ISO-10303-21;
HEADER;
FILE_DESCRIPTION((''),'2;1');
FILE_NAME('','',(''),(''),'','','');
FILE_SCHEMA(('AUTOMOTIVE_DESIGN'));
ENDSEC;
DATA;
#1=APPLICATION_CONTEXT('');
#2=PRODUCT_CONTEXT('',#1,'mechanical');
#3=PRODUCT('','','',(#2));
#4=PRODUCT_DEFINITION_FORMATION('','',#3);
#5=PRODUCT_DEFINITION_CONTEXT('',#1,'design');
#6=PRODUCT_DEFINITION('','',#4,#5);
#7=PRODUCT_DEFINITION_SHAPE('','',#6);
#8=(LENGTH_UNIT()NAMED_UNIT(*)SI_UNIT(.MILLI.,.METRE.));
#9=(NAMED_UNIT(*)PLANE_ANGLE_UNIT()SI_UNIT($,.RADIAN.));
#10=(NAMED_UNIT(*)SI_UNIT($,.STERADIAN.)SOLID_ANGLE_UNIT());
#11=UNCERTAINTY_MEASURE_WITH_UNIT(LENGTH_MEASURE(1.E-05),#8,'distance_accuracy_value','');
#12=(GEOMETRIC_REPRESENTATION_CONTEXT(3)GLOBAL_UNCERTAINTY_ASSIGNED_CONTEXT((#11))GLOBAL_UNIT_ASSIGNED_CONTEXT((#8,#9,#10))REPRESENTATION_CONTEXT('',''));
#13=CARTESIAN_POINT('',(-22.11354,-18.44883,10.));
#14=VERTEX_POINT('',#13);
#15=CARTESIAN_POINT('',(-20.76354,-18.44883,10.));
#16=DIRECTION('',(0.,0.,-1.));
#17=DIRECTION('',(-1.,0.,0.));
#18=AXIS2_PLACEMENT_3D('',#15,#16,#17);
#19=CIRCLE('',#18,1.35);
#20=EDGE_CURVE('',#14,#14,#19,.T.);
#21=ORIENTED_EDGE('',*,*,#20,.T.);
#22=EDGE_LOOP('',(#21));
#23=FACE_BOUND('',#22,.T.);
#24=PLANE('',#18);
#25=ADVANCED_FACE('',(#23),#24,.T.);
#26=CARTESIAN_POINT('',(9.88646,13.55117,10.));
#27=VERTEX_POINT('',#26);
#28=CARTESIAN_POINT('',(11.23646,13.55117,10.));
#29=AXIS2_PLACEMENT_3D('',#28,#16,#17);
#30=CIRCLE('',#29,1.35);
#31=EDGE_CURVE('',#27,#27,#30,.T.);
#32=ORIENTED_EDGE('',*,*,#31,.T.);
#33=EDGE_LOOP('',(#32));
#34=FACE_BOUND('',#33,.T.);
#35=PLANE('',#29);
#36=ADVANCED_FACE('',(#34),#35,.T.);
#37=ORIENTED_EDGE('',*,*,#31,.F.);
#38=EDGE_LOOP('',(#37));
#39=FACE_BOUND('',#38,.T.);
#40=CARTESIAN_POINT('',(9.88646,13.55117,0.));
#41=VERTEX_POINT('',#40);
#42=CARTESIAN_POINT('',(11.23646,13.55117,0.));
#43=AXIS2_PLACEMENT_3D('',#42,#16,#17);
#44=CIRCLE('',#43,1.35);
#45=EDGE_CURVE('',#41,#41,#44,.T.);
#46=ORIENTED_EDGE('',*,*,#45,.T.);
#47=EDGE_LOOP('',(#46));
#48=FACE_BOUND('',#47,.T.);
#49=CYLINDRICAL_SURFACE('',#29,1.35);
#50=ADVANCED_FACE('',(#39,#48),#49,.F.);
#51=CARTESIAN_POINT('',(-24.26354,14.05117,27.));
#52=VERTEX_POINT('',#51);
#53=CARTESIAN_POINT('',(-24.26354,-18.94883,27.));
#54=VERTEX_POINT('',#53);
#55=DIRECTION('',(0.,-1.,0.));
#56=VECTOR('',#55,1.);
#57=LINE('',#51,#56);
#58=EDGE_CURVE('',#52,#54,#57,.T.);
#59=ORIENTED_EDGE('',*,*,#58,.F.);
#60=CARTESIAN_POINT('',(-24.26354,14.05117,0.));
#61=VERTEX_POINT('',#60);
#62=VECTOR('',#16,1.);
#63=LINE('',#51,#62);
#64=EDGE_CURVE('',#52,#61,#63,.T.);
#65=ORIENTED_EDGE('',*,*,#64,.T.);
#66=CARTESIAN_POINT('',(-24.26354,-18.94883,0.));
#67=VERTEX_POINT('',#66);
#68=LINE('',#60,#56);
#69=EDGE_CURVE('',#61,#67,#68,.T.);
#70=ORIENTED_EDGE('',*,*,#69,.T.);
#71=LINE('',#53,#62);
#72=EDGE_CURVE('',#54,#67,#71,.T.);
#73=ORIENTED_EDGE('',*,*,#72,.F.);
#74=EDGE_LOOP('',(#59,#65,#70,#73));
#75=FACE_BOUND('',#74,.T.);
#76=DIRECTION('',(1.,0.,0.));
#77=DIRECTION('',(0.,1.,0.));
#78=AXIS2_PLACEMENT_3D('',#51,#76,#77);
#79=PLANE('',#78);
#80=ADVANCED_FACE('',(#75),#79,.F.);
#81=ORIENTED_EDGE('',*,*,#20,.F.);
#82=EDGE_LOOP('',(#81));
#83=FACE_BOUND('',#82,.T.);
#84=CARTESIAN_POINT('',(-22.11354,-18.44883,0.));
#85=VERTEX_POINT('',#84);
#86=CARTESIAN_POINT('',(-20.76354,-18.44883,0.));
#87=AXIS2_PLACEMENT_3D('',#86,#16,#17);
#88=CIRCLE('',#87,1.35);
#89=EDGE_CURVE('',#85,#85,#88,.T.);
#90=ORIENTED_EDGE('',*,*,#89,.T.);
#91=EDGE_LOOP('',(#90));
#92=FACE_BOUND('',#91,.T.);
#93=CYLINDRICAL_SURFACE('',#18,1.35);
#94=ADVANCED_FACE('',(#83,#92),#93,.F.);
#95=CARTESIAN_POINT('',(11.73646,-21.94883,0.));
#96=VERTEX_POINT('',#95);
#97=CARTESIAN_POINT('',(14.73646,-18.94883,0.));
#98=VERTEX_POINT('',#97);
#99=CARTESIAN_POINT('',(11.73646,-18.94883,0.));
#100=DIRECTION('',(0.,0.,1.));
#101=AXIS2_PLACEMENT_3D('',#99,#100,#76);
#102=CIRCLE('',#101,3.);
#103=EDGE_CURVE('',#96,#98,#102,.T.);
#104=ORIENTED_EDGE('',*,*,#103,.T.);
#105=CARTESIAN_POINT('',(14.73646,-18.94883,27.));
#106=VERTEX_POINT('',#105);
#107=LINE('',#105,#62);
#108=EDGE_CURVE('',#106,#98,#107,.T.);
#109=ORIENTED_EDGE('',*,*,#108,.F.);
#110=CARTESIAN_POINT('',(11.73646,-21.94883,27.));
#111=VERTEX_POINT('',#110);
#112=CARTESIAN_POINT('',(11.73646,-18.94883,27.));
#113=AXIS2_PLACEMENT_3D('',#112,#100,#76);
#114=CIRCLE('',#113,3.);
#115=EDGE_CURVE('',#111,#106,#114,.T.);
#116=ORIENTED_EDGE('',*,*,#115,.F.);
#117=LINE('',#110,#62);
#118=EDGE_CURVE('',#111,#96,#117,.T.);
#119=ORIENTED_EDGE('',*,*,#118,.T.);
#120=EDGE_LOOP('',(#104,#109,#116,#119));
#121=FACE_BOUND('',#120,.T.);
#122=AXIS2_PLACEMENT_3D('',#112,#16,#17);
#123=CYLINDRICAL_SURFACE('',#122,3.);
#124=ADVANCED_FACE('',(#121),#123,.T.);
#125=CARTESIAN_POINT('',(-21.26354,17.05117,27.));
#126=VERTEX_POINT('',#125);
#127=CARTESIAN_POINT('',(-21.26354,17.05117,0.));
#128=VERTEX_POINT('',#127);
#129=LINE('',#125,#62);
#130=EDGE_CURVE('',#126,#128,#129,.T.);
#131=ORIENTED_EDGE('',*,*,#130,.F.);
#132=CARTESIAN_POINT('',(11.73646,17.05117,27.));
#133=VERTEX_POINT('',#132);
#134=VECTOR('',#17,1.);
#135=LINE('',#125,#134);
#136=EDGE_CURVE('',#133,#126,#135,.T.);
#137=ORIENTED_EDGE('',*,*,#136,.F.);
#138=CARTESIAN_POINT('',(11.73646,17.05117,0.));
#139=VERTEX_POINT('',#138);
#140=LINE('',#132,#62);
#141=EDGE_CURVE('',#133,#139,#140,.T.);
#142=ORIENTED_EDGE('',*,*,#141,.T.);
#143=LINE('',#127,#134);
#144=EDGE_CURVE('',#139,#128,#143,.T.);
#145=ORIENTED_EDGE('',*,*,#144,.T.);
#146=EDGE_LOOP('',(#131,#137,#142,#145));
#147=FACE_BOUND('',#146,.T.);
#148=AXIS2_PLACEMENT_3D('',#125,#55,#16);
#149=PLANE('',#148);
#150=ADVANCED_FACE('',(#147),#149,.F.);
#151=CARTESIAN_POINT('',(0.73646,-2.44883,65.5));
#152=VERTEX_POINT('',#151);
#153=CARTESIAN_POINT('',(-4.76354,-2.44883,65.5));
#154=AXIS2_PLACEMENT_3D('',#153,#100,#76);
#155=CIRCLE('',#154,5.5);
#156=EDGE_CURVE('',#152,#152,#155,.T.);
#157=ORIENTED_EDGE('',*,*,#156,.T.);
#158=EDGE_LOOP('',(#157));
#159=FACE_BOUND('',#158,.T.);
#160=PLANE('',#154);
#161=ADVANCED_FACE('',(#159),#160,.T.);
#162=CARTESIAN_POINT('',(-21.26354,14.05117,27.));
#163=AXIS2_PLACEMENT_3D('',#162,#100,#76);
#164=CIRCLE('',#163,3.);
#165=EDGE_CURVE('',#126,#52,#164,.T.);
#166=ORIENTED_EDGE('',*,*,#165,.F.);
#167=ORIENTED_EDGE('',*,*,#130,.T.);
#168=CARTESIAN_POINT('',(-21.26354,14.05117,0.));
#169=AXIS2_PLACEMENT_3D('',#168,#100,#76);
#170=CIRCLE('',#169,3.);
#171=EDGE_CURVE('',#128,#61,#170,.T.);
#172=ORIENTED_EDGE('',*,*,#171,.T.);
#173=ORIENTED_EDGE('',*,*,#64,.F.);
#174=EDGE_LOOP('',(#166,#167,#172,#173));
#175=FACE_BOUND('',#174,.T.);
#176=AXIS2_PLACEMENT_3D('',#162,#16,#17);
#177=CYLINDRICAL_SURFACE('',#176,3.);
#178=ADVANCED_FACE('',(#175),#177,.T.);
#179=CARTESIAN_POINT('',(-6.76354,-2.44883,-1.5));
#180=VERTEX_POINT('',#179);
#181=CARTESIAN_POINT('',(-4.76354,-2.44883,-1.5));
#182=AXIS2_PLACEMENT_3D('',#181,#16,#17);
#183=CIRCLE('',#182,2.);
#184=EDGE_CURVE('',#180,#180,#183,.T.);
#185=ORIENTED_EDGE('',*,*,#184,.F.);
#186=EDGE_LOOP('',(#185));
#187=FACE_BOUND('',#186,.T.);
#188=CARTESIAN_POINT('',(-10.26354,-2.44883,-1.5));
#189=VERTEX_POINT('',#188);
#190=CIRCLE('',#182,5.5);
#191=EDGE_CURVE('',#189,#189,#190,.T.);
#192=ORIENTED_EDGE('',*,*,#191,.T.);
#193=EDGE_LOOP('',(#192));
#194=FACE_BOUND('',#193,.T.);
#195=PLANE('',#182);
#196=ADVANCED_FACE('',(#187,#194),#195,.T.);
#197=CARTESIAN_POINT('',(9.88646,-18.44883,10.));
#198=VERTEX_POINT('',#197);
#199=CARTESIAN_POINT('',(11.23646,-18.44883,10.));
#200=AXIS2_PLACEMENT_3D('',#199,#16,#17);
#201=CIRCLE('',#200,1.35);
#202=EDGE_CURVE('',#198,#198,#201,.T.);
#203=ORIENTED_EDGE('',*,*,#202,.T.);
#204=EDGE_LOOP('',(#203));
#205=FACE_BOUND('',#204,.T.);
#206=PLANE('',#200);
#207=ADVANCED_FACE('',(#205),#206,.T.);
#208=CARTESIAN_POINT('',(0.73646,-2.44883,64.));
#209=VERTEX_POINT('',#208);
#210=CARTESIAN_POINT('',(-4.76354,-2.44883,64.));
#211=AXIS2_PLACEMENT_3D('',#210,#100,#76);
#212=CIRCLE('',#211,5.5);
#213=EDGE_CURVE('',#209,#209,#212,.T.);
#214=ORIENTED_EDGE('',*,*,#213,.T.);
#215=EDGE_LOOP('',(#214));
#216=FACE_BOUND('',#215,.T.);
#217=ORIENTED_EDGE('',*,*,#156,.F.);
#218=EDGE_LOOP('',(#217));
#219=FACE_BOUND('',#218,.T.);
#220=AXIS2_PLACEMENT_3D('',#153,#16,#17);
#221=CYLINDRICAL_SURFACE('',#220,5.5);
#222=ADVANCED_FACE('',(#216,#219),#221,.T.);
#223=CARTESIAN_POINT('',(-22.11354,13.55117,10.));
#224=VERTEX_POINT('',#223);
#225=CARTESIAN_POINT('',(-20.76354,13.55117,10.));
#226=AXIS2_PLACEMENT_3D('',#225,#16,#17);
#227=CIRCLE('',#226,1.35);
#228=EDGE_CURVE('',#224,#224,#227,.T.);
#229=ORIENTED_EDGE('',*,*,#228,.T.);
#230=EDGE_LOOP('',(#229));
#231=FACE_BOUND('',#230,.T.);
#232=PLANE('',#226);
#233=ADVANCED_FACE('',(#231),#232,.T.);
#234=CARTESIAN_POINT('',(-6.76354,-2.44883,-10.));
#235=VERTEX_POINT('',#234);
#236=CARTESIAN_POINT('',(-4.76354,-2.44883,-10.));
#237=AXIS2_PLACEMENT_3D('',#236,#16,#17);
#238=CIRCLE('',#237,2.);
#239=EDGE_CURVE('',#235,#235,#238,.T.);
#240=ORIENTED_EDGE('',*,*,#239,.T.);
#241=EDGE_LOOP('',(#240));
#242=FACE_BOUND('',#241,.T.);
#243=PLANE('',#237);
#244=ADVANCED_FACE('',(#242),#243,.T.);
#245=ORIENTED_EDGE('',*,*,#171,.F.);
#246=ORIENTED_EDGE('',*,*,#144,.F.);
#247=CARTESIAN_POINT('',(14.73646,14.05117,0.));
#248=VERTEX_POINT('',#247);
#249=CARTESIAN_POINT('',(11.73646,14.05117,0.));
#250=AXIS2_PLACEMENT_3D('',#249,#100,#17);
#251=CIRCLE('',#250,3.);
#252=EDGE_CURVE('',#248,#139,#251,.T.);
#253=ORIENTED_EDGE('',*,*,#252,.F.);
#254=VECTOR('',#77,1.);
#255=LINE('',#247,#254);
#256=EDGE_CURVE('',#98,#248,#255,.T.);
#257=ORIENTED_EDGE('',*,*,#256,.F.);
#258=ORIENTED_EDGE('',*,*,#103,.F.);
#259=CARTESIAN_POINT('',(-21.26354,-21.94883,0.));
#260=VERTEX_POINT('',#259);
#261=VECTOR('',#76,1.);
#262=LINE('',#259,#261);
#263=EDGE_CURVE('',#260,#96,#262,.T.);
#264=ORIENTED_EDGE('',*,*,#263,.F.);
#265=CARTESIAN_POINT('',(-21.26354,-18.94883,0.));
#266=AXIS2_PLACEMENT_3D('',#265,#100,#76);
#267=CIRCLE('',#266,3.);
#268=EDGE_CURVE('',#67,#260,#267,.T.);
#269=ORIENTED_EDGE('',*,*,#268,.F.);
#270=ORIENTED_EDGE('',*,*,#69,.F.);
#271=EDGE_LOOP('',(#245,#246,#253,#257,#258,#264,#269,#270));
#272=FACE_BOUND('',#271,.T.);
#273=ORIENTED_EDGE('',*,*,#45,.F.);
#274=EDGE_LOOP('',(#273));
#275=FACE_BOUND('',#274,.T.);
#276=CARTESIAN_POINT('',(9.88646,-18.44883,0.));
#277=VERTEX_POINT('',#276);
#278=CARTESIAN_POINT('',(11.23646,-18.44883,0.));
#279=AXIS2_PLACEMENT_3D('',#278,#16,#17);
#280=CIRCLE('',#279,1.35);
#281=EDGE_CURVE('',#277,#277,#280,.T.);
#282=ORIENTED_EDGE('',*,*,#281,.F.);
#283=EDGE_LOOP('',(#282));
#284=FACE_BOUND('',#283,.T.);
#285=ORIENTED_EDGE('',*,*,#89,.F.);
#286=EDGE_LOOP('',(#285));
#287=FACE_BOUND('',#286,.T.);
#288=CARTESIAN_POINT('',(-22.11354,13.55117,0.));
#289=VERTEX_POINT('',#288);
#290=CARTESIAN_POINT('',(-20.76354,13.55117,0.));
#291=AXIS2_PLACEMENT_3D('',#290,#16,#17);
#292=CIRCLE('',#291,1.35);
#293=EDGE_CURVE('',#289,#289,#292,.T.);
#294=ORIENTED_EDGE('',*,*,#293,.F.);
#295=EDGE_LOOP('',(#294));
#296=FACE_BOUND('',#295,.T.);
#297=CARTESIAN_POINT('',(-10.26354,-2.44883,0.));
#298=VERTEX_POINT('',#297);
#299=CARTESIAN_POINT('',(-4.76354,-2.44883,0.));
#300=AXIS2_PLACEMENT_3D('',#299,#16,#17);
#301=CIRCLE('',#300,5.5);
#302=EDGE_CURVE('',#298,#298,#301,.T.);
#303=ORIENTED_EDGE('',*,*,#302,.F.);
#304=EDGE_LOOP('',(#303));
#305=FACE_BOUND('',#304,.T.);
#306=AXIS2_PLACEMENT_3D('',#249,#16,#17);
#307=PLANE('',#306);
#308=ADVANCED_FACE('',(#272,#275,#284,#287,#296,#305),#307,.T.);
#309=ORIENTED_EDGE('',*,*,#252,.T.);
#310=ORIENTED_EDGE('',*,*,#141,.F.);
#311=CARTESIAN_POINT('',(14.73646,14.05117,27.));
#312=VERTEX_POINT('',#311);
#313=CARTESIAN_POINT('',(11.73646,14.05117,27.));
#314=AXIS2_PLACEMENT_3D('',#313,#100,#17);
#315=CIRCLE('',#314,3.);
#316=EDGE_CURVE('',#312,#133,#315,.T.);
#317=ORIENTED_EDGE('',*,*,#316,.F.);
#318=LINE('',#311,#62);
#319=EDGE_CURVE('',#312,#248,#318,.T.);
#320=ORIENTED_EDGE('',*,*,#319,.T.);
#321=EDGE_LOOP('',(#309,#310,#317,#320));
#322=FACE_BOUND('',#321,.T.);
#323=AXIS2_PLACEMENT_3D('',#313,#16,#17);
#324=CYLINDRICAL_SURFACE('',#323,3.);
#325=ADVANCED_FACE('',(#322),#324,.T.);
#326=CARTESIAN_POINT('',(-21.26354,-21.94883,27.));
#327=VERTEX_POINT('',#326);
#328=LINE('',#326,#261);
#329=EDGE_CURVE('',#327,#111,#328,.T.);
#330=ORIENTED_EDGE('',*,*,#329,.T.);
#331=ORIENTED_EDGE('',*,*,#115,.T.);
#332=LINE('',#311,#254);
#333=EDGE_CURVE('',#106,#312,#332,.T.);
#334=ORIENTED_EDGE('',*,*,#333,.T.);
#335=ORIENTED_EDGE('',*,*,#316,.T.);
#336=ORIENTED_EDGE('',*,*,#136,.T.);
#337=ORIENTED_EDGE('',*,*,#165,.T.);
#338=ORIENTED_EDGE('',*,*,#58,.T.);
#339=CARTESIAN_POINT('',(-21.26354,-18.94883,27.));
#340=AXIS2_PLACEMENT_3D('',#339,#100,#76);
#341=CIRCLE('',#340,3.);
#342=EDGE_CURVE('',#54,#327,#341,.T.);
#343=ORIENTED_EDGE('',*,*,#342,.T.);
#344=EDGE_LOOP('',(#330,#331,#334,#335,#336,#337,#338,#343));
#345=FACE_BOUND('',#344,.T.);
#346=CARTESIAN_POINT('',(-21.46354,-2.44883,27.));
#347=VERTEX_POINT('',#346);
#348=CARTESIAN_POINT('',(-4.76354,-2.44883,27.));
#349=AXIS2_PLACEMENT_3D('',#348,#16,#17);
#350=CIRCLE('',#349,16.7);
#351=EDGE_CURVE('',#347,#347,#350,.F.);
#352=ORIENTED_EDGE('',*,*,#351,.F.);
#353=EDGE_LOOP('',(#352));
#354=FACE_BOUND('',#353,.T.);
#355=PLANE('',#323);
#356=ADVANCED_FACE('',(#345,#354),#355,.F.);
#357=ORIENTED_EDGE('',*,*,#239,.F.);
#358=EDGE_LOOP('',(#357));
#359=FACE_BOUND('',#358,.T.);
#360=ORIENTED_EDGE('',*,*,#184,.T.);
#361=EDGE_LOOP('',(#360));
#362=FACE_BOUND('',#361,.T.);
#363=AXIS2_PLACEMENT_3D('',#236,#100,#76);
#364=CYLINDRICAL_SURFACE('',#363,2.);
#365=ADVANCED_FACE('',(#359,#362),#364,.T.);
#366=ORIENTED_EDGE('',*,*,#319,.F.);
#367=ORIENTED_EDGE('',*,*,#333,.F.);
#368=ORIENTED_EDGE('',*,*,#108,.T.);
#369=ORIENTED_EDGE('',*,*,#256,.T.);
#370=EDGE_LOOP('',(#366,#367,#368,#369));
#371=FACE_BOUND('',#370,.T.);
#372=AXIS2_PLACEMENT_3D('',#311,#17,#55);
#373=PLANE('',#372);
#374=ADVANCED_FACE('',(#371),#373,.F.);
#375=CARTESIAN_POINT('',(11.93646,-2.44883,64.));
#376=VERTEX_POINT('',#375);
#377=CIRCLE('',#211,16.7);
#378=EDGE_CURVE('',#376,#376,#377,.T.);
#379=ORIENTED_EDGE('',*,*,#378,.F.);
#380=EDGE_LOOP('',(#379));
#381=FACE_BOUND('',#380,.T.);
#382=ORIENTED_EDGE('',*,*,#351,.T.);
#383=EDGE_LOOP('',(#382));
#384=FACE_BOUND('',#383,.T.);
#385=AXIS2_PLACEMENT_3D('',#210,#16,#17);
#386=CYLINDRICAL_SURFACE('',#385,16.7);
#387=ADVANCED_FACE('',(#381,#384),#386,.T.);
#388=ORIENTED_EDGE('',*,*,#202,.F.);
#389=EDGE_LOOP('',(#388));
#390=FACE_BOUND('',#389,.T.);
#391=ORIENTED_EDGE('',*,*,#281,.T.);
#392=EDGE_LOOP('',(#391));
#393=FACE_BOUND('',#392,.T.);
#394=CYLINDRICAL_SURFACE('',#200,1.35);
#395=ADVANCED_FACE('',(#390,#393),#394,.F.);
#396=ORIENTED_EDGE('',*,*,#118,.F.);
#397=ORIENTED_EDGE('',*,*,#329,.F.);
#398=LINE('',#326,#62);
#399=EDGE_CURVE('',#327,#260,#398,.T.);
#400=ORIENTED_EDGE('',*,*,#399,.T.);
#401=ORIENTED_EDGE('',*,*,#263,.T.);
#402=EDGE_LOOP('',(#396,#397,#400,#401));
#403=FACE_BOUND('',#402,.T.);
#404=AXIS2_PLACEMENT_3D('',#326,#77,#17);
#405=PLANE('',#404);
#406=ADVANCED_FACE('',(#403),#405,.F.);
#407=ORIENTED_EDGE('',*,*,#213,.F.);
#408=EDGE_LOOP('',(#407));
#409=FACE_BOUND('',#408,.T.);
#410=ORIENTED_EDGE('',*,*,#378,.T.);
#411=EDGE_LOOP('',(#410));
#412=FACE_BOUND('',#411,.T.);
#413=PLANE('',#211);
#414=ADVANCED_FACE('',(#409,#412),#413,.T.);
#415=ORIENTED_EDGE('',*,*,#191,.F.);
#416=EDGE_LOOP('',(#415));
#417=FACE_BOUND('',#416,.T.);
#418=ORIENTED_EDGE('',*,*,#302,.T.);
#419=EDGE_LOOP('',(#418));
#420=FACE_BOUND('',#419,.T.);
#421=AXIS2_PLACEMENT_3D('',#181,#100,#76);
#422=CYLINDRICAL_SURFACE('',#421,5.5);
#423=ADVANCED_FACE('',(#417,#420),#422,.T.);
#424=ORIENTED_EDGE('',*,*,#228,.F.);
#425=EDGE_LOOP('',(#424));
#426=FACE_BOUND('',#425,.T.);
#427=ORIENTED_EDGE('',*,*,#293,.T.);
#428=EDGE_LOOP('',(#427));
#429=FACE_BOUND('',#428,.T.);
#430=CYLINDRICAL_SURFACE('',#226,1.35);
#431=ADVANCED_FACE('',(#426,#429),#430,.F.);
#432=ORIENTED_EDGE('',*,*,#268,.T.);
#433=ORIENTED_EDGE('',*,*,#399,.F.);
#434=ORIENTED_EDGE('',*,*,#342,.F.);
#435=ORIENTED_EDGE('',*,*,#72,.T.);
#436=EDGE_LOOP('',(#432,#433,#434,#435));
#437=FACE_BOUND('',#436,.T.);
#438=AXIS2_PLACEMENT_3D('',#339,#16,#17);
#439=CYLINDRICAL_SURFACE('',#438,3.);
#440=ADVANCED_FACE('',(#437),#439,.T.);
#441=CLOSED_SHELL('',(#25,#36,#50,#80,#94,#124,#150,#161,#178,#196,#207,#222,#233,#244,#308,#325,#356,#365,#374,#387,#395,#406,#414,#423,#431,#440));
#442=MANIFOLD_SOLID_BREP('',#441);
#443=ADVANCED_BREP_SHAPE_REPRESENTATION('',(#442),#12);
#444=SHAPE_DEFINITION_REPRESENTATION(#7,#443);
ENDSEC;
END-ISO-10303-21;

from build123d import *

# Parameters (mm, degrees)
EXTRUSION1_DEPTH = 27
ESQUISSE2_R      = 16.7
EXTRUSION2_DEPTH = 37
ESQUISSE3_R      = 5.5
EXTRUSION3_DEPTH = 1.5
ESQUISSE4_R      = 1.35
EXTRUSION4_DEPTH = 10
EXTRUSION5_START = 1.5
ESQUISSE5_R      = 5.5
EXTRUSION5_DEPTH = 1.5
ESQUISSE6_R      = 2
EXTRUSION6_DEPTH = 8.5


with BuildPart() as part:
    # Esquisse1 → Extrusion1 (new body)
    with BuildSketch(Plane.XY):
        with BuildLine():
            Line((-21.263539738, 17.051170213), (11.736460262, 17.051170213))
            ThreePointArc((11.736460262, 17.051170213), (13.857780605, 16.172490556), (14.736460262, 14.051170213))
            Line((14.736460262, 14.051170213), (14.736460262, -18.948829787))
            ThreePointArc((14.736460262, -18.948829787), (13.857780605, -21.070150131), (11.736460262, -21.948829787))
            Line((11.736460262, -21.948829787), (-21.263539738, -21.948829787))
            ThreePointArc((-21.263539738, -21.948829787), (-23.384860082, -21.070150131), (-24.263539738, -18.948829787))
            Line((-24.263539738, -18.948829787), (-24.263539738, 14.051170213))
            ThreePointArc((-24.263539738, 14.051170213), (-23.384860082, 16.172490556), (-21.263539738, 17.051170213))
        make_face()
    extrude(amount=EXTRUSION1_DEPTH)

    # Esquisse2 → Extrusion2 (add)
    with BuildSketch(Plane.XY.offset(27)):
        with Locations(Location((-4.763539738, -2.448829787, 0), (0, 0, 180))):
            Circle(ESQUISSE2_R)
    extrude(amount=EXTRUSION2_DEPTH)

    # Esquisse3 → Extrusion3 (add)
    with BuildSketch(Plane.XY.offset(64)):
        with Locations((-4.763539738, -2.448829787)):
            Circle(ESQUISSE3_R)
    extrude(amount=EXTRUSION3_DEPTH)

    # Esquisse4 → Extrusion4 (cut)
    with BuildSketch(Plane(origin=(0, 0, 0), x_dir=(-1, 0, 0), z_dir=(0, 0, -1))):
        with Locations((-11.236460262, 13.551170213)):
            Circle(ESQUISSE4_R)
        with Locations((20.763539738, 13.551170213)):
            Circle(ESQUISSE4_R)
        with Locations((20.763539738, -18.448829787)):
            Circle(ESQUISSE4_R)
        with Locations((-11.236460262, -18.448829787)):
            Circle(ESQUISSE4_R)
    extrude(amount=-EXTRUSION4_DEPTH, mode=Mode.SUBTRACT)

    # Esquisse5 → Extrusion5 (add)
    with BuildSketch(Plane(origin=(0, 0, 0), x_dir=(-1, 0, 0), z_dir=(0, 0, -1)).offset(EXTRUSION5_START)):
        with Locations(Location((4.763539738, -2.448829787, 0), (0, 0, 180))):
            Circle(ESQUISSE5_R)
    extrude(amount=-EXTRUSION5_DEPTH)

    # Esquisse6 → Extrusion6 (add)
    with BuildSketch(Plane(origin=(0, 0, -1.5), x_dir=(-1, 0, 0), z_dir=(0, 0, -1))):
        with Locations((4.763539738, -2.448829787)):
            Circle(ESQUISSE6_R)
    extrude(amount=EXTRUSION6_DEPTH)


solid = part.part
